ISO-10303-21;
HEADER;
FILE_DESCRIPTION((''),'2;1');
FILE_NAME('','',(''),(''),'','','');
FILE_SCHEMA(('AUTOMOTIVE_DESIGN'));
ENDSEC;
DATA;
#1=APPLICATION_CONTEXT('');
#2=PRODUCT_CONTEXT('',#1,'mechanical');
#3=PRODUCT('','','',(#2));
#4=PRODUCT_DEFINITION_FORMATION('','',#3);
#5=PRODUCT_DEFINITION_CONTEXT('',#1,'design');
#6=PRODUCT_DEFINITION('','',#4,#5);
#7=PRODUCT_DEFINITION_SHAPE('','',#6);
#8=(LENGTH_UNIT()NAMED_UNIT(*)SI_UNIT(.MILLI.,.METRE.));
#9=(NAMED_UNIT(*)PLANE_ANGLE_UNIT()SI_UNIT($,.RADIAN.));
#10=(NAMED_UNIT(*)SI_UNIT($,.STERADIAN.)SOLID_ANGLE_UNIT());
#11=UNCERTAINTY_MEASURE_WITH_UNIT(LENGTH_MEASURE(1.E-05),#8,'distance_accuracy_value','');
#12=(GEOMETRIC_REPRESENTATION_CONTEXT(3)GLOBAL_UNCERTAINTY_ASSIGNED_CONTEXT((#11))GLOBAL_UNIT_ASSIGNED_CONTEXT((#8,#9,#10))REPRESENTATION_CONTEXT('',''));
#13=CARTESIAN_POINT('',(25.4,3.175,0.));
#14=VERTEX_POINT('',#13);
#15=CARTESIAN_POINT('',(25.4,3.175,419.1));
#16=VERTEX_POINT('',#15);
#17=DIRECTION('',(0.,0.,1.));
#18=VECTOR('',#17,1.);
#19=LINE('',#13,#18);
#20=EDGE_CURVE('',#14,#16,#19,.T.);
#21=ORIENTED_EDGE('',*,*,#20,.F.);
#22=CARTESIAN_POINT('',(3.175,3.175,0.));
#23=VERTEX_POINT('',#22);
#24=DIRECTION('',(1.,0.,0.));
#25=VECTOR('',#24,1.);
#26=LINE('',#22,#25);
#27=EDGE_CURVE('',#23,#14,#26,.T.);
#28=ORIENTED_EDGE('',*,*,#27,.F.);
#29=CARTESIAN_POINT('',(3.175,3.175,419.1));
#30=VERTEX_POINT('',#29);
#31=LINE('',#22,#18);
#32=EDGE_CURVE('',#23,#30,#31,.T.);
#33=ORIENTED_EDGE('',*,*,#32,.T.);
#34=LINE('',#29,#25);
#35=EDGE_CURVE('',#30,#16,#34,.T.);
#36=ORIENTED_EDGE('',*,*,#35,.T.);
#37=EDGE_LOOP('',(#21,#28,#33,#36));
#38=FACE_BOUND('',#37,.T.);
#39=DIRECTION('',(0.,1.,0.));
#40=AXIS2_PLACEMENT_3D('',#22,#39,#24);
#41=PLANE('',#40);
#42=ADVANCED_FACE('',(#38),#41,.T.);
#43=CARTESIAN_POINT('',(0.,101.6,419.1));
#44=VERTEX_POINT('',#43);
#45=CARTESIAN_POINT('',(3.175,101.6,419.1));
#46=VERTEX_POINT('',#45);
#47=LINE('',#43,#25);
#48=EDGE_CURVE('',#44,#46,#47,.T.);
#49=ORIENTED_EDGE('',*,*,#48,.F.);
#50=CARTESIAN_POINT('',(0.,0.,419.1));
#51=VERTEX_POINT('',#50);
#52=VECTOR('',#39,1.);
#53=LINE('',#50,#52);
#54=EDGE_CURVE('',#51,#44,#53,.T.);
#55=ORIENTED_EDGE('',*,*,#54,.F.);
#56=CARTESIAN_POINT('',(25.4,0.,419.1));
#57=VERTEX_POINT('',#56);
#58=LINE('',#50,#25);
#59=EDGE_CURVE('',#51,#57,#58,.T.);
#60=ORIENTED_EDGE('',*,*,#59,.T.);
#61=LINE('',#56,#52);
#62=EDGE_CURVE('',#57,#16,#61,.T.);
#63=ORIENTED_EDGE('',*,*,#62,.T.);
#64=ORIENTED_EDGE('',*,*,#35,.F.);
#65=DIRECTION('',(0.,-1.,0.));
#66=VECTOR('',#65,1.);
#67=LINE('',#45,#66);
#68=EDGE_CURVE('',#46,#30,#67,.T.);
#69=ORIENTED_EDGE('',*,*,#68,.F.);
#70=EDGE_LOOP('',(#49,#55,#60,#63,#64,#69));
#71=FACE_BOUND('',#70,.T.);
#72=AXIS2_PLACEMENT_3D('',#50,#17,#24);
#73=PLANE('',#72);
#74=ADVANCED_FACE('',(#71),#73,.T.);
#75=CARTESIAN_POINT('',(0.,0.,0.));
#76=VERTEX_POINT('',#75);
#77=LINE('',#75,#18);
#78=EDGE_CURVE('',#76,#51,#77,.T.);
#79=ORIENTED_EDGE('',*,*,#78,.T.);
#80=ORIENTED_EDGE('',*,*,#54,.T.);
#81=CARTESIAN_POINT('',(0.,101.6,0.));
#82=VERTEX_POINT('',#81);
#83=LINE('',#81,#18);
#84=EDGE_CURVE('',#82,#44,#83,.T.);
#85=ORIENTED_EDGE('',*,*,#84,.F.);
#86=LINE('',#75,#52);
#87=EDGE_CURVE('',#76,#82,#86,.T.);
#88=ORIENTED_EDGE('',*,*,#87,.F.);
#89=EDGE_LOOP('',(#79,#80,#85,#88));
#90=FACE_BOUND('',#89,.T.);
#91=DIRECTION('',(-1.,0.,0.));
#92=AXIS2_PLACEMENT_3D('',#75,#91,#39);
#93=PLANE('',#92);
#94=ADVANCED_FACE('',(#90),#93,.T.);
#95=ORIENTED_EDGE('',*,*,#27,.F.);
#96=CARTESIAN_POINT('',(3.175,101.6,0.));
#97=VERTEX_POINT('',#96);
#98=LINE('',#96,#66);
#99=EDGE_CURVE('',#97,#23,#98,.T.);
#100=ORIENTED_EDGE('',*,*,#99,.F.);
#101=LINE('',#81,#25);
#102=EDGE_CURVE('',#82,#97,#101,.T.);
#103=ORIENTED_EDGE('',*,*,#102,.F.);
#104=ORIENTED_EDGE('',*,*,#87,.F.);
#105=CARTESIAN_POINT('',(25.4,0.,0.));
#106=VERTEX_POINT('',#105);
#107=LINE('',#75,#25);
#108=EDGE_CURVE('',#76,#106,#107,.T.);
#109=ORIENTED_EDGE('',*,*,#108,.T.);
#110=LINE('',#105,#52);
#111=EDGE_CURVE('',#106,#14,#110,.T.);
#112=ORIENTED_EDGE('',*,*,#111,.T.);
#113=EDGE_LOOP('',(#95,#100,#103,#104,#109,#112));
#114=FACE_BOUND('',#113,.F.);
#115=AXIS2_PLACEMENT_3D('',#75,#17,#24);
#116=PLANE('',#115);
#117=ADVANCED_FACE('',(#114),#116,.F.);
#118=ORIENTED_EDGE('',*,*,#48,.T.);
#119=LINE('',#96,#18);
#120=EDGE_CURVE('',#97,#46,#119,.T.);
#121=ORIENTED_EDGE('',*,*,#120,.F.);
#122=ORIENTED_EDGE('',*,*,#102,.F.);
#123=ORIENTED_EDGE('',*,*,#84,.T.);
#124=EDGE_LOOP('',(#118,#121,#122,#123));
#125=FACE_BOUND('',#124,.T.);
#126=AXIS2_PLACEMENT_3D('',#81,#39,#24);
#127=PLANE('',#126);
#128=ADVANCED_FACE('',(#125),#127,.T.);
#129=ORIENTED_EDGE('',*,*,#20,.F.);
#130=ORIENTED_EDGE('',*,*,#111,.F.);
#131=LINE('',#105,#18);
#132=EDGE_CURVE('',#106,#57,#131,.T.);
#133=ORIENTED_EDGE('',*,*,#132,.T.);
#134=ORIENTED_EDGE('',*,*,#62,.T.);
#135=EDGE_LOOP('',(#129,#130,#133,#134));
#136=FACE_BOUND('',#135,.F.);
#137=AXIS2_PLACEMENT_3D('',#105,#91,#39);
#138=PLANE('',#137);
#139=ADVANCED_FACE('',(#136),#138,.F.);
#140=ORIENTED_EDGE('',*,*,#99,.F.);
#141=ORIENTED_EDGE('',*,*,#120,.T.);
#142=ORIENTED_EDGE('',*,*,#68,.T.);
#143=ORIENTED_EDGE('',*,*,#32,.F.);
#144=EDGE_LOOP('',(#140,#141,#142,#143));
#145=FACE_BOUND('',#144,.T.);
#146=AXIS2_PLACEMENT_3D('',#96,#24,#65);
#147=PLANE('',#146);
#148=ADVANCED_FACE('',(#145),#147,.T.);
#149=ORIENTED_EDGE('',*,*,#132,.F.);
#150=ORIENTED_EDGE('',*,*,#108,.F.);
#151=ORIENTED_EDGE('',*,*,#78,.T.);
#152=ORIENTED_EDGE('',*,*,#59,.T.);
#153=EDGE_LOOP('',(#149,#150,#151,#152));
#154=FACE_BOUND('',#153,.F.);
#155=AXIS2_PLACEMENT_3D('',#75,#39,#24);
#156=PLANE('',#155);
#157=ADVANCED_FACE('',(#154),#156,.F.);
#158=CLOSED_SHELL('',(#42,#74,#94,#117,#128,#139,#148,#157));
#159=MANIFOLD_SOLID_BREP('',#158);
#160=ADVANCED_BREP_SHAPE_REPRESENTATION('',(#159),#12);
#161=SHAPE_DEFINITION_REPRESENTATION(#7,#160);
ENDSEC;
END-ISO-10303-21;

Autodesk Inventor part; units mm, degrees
ref_plane "YZ Plane" through (0, 0, 0) normal (1, 0, 0) x (0, 1, 0)
ref_plane "XZ Plane" through (0, 0, 0) normal (0, 1, 0) x (-1, 0, 0)
ref_plane "XY Plane" through (0, 0, 0) normal (0, 0, 1) x (1, 0, 0)
sketch "Sketch1" plane through (0, 0, 0) normal (0, 0, 1) x (1, 0, 0)
  line L0 (0, 0) -> (25.4, 0)
  line L1 (25.4, 0) -> (25.4, 3.175)
  line L2 (0, 0) -> (0, 101.6)
  line L3 (0, 101.6) -> (3.175, 101.6)
  line L4 (3.175, 101.6) -> (3.175, 3.175)
  line L5 (3.175, 3.175) -> (25.4, 3.175)
  dimension "d0" = 25.4
  dimension "d1" = 3.175
  dimension "d2" = 101.6
  dimension "d3" = 3.175
extrude "Extrusion1" add sketch "Sketch1" along normal blind 419.1
properties part number "Pi_Camera_Crossbar_Mount"
